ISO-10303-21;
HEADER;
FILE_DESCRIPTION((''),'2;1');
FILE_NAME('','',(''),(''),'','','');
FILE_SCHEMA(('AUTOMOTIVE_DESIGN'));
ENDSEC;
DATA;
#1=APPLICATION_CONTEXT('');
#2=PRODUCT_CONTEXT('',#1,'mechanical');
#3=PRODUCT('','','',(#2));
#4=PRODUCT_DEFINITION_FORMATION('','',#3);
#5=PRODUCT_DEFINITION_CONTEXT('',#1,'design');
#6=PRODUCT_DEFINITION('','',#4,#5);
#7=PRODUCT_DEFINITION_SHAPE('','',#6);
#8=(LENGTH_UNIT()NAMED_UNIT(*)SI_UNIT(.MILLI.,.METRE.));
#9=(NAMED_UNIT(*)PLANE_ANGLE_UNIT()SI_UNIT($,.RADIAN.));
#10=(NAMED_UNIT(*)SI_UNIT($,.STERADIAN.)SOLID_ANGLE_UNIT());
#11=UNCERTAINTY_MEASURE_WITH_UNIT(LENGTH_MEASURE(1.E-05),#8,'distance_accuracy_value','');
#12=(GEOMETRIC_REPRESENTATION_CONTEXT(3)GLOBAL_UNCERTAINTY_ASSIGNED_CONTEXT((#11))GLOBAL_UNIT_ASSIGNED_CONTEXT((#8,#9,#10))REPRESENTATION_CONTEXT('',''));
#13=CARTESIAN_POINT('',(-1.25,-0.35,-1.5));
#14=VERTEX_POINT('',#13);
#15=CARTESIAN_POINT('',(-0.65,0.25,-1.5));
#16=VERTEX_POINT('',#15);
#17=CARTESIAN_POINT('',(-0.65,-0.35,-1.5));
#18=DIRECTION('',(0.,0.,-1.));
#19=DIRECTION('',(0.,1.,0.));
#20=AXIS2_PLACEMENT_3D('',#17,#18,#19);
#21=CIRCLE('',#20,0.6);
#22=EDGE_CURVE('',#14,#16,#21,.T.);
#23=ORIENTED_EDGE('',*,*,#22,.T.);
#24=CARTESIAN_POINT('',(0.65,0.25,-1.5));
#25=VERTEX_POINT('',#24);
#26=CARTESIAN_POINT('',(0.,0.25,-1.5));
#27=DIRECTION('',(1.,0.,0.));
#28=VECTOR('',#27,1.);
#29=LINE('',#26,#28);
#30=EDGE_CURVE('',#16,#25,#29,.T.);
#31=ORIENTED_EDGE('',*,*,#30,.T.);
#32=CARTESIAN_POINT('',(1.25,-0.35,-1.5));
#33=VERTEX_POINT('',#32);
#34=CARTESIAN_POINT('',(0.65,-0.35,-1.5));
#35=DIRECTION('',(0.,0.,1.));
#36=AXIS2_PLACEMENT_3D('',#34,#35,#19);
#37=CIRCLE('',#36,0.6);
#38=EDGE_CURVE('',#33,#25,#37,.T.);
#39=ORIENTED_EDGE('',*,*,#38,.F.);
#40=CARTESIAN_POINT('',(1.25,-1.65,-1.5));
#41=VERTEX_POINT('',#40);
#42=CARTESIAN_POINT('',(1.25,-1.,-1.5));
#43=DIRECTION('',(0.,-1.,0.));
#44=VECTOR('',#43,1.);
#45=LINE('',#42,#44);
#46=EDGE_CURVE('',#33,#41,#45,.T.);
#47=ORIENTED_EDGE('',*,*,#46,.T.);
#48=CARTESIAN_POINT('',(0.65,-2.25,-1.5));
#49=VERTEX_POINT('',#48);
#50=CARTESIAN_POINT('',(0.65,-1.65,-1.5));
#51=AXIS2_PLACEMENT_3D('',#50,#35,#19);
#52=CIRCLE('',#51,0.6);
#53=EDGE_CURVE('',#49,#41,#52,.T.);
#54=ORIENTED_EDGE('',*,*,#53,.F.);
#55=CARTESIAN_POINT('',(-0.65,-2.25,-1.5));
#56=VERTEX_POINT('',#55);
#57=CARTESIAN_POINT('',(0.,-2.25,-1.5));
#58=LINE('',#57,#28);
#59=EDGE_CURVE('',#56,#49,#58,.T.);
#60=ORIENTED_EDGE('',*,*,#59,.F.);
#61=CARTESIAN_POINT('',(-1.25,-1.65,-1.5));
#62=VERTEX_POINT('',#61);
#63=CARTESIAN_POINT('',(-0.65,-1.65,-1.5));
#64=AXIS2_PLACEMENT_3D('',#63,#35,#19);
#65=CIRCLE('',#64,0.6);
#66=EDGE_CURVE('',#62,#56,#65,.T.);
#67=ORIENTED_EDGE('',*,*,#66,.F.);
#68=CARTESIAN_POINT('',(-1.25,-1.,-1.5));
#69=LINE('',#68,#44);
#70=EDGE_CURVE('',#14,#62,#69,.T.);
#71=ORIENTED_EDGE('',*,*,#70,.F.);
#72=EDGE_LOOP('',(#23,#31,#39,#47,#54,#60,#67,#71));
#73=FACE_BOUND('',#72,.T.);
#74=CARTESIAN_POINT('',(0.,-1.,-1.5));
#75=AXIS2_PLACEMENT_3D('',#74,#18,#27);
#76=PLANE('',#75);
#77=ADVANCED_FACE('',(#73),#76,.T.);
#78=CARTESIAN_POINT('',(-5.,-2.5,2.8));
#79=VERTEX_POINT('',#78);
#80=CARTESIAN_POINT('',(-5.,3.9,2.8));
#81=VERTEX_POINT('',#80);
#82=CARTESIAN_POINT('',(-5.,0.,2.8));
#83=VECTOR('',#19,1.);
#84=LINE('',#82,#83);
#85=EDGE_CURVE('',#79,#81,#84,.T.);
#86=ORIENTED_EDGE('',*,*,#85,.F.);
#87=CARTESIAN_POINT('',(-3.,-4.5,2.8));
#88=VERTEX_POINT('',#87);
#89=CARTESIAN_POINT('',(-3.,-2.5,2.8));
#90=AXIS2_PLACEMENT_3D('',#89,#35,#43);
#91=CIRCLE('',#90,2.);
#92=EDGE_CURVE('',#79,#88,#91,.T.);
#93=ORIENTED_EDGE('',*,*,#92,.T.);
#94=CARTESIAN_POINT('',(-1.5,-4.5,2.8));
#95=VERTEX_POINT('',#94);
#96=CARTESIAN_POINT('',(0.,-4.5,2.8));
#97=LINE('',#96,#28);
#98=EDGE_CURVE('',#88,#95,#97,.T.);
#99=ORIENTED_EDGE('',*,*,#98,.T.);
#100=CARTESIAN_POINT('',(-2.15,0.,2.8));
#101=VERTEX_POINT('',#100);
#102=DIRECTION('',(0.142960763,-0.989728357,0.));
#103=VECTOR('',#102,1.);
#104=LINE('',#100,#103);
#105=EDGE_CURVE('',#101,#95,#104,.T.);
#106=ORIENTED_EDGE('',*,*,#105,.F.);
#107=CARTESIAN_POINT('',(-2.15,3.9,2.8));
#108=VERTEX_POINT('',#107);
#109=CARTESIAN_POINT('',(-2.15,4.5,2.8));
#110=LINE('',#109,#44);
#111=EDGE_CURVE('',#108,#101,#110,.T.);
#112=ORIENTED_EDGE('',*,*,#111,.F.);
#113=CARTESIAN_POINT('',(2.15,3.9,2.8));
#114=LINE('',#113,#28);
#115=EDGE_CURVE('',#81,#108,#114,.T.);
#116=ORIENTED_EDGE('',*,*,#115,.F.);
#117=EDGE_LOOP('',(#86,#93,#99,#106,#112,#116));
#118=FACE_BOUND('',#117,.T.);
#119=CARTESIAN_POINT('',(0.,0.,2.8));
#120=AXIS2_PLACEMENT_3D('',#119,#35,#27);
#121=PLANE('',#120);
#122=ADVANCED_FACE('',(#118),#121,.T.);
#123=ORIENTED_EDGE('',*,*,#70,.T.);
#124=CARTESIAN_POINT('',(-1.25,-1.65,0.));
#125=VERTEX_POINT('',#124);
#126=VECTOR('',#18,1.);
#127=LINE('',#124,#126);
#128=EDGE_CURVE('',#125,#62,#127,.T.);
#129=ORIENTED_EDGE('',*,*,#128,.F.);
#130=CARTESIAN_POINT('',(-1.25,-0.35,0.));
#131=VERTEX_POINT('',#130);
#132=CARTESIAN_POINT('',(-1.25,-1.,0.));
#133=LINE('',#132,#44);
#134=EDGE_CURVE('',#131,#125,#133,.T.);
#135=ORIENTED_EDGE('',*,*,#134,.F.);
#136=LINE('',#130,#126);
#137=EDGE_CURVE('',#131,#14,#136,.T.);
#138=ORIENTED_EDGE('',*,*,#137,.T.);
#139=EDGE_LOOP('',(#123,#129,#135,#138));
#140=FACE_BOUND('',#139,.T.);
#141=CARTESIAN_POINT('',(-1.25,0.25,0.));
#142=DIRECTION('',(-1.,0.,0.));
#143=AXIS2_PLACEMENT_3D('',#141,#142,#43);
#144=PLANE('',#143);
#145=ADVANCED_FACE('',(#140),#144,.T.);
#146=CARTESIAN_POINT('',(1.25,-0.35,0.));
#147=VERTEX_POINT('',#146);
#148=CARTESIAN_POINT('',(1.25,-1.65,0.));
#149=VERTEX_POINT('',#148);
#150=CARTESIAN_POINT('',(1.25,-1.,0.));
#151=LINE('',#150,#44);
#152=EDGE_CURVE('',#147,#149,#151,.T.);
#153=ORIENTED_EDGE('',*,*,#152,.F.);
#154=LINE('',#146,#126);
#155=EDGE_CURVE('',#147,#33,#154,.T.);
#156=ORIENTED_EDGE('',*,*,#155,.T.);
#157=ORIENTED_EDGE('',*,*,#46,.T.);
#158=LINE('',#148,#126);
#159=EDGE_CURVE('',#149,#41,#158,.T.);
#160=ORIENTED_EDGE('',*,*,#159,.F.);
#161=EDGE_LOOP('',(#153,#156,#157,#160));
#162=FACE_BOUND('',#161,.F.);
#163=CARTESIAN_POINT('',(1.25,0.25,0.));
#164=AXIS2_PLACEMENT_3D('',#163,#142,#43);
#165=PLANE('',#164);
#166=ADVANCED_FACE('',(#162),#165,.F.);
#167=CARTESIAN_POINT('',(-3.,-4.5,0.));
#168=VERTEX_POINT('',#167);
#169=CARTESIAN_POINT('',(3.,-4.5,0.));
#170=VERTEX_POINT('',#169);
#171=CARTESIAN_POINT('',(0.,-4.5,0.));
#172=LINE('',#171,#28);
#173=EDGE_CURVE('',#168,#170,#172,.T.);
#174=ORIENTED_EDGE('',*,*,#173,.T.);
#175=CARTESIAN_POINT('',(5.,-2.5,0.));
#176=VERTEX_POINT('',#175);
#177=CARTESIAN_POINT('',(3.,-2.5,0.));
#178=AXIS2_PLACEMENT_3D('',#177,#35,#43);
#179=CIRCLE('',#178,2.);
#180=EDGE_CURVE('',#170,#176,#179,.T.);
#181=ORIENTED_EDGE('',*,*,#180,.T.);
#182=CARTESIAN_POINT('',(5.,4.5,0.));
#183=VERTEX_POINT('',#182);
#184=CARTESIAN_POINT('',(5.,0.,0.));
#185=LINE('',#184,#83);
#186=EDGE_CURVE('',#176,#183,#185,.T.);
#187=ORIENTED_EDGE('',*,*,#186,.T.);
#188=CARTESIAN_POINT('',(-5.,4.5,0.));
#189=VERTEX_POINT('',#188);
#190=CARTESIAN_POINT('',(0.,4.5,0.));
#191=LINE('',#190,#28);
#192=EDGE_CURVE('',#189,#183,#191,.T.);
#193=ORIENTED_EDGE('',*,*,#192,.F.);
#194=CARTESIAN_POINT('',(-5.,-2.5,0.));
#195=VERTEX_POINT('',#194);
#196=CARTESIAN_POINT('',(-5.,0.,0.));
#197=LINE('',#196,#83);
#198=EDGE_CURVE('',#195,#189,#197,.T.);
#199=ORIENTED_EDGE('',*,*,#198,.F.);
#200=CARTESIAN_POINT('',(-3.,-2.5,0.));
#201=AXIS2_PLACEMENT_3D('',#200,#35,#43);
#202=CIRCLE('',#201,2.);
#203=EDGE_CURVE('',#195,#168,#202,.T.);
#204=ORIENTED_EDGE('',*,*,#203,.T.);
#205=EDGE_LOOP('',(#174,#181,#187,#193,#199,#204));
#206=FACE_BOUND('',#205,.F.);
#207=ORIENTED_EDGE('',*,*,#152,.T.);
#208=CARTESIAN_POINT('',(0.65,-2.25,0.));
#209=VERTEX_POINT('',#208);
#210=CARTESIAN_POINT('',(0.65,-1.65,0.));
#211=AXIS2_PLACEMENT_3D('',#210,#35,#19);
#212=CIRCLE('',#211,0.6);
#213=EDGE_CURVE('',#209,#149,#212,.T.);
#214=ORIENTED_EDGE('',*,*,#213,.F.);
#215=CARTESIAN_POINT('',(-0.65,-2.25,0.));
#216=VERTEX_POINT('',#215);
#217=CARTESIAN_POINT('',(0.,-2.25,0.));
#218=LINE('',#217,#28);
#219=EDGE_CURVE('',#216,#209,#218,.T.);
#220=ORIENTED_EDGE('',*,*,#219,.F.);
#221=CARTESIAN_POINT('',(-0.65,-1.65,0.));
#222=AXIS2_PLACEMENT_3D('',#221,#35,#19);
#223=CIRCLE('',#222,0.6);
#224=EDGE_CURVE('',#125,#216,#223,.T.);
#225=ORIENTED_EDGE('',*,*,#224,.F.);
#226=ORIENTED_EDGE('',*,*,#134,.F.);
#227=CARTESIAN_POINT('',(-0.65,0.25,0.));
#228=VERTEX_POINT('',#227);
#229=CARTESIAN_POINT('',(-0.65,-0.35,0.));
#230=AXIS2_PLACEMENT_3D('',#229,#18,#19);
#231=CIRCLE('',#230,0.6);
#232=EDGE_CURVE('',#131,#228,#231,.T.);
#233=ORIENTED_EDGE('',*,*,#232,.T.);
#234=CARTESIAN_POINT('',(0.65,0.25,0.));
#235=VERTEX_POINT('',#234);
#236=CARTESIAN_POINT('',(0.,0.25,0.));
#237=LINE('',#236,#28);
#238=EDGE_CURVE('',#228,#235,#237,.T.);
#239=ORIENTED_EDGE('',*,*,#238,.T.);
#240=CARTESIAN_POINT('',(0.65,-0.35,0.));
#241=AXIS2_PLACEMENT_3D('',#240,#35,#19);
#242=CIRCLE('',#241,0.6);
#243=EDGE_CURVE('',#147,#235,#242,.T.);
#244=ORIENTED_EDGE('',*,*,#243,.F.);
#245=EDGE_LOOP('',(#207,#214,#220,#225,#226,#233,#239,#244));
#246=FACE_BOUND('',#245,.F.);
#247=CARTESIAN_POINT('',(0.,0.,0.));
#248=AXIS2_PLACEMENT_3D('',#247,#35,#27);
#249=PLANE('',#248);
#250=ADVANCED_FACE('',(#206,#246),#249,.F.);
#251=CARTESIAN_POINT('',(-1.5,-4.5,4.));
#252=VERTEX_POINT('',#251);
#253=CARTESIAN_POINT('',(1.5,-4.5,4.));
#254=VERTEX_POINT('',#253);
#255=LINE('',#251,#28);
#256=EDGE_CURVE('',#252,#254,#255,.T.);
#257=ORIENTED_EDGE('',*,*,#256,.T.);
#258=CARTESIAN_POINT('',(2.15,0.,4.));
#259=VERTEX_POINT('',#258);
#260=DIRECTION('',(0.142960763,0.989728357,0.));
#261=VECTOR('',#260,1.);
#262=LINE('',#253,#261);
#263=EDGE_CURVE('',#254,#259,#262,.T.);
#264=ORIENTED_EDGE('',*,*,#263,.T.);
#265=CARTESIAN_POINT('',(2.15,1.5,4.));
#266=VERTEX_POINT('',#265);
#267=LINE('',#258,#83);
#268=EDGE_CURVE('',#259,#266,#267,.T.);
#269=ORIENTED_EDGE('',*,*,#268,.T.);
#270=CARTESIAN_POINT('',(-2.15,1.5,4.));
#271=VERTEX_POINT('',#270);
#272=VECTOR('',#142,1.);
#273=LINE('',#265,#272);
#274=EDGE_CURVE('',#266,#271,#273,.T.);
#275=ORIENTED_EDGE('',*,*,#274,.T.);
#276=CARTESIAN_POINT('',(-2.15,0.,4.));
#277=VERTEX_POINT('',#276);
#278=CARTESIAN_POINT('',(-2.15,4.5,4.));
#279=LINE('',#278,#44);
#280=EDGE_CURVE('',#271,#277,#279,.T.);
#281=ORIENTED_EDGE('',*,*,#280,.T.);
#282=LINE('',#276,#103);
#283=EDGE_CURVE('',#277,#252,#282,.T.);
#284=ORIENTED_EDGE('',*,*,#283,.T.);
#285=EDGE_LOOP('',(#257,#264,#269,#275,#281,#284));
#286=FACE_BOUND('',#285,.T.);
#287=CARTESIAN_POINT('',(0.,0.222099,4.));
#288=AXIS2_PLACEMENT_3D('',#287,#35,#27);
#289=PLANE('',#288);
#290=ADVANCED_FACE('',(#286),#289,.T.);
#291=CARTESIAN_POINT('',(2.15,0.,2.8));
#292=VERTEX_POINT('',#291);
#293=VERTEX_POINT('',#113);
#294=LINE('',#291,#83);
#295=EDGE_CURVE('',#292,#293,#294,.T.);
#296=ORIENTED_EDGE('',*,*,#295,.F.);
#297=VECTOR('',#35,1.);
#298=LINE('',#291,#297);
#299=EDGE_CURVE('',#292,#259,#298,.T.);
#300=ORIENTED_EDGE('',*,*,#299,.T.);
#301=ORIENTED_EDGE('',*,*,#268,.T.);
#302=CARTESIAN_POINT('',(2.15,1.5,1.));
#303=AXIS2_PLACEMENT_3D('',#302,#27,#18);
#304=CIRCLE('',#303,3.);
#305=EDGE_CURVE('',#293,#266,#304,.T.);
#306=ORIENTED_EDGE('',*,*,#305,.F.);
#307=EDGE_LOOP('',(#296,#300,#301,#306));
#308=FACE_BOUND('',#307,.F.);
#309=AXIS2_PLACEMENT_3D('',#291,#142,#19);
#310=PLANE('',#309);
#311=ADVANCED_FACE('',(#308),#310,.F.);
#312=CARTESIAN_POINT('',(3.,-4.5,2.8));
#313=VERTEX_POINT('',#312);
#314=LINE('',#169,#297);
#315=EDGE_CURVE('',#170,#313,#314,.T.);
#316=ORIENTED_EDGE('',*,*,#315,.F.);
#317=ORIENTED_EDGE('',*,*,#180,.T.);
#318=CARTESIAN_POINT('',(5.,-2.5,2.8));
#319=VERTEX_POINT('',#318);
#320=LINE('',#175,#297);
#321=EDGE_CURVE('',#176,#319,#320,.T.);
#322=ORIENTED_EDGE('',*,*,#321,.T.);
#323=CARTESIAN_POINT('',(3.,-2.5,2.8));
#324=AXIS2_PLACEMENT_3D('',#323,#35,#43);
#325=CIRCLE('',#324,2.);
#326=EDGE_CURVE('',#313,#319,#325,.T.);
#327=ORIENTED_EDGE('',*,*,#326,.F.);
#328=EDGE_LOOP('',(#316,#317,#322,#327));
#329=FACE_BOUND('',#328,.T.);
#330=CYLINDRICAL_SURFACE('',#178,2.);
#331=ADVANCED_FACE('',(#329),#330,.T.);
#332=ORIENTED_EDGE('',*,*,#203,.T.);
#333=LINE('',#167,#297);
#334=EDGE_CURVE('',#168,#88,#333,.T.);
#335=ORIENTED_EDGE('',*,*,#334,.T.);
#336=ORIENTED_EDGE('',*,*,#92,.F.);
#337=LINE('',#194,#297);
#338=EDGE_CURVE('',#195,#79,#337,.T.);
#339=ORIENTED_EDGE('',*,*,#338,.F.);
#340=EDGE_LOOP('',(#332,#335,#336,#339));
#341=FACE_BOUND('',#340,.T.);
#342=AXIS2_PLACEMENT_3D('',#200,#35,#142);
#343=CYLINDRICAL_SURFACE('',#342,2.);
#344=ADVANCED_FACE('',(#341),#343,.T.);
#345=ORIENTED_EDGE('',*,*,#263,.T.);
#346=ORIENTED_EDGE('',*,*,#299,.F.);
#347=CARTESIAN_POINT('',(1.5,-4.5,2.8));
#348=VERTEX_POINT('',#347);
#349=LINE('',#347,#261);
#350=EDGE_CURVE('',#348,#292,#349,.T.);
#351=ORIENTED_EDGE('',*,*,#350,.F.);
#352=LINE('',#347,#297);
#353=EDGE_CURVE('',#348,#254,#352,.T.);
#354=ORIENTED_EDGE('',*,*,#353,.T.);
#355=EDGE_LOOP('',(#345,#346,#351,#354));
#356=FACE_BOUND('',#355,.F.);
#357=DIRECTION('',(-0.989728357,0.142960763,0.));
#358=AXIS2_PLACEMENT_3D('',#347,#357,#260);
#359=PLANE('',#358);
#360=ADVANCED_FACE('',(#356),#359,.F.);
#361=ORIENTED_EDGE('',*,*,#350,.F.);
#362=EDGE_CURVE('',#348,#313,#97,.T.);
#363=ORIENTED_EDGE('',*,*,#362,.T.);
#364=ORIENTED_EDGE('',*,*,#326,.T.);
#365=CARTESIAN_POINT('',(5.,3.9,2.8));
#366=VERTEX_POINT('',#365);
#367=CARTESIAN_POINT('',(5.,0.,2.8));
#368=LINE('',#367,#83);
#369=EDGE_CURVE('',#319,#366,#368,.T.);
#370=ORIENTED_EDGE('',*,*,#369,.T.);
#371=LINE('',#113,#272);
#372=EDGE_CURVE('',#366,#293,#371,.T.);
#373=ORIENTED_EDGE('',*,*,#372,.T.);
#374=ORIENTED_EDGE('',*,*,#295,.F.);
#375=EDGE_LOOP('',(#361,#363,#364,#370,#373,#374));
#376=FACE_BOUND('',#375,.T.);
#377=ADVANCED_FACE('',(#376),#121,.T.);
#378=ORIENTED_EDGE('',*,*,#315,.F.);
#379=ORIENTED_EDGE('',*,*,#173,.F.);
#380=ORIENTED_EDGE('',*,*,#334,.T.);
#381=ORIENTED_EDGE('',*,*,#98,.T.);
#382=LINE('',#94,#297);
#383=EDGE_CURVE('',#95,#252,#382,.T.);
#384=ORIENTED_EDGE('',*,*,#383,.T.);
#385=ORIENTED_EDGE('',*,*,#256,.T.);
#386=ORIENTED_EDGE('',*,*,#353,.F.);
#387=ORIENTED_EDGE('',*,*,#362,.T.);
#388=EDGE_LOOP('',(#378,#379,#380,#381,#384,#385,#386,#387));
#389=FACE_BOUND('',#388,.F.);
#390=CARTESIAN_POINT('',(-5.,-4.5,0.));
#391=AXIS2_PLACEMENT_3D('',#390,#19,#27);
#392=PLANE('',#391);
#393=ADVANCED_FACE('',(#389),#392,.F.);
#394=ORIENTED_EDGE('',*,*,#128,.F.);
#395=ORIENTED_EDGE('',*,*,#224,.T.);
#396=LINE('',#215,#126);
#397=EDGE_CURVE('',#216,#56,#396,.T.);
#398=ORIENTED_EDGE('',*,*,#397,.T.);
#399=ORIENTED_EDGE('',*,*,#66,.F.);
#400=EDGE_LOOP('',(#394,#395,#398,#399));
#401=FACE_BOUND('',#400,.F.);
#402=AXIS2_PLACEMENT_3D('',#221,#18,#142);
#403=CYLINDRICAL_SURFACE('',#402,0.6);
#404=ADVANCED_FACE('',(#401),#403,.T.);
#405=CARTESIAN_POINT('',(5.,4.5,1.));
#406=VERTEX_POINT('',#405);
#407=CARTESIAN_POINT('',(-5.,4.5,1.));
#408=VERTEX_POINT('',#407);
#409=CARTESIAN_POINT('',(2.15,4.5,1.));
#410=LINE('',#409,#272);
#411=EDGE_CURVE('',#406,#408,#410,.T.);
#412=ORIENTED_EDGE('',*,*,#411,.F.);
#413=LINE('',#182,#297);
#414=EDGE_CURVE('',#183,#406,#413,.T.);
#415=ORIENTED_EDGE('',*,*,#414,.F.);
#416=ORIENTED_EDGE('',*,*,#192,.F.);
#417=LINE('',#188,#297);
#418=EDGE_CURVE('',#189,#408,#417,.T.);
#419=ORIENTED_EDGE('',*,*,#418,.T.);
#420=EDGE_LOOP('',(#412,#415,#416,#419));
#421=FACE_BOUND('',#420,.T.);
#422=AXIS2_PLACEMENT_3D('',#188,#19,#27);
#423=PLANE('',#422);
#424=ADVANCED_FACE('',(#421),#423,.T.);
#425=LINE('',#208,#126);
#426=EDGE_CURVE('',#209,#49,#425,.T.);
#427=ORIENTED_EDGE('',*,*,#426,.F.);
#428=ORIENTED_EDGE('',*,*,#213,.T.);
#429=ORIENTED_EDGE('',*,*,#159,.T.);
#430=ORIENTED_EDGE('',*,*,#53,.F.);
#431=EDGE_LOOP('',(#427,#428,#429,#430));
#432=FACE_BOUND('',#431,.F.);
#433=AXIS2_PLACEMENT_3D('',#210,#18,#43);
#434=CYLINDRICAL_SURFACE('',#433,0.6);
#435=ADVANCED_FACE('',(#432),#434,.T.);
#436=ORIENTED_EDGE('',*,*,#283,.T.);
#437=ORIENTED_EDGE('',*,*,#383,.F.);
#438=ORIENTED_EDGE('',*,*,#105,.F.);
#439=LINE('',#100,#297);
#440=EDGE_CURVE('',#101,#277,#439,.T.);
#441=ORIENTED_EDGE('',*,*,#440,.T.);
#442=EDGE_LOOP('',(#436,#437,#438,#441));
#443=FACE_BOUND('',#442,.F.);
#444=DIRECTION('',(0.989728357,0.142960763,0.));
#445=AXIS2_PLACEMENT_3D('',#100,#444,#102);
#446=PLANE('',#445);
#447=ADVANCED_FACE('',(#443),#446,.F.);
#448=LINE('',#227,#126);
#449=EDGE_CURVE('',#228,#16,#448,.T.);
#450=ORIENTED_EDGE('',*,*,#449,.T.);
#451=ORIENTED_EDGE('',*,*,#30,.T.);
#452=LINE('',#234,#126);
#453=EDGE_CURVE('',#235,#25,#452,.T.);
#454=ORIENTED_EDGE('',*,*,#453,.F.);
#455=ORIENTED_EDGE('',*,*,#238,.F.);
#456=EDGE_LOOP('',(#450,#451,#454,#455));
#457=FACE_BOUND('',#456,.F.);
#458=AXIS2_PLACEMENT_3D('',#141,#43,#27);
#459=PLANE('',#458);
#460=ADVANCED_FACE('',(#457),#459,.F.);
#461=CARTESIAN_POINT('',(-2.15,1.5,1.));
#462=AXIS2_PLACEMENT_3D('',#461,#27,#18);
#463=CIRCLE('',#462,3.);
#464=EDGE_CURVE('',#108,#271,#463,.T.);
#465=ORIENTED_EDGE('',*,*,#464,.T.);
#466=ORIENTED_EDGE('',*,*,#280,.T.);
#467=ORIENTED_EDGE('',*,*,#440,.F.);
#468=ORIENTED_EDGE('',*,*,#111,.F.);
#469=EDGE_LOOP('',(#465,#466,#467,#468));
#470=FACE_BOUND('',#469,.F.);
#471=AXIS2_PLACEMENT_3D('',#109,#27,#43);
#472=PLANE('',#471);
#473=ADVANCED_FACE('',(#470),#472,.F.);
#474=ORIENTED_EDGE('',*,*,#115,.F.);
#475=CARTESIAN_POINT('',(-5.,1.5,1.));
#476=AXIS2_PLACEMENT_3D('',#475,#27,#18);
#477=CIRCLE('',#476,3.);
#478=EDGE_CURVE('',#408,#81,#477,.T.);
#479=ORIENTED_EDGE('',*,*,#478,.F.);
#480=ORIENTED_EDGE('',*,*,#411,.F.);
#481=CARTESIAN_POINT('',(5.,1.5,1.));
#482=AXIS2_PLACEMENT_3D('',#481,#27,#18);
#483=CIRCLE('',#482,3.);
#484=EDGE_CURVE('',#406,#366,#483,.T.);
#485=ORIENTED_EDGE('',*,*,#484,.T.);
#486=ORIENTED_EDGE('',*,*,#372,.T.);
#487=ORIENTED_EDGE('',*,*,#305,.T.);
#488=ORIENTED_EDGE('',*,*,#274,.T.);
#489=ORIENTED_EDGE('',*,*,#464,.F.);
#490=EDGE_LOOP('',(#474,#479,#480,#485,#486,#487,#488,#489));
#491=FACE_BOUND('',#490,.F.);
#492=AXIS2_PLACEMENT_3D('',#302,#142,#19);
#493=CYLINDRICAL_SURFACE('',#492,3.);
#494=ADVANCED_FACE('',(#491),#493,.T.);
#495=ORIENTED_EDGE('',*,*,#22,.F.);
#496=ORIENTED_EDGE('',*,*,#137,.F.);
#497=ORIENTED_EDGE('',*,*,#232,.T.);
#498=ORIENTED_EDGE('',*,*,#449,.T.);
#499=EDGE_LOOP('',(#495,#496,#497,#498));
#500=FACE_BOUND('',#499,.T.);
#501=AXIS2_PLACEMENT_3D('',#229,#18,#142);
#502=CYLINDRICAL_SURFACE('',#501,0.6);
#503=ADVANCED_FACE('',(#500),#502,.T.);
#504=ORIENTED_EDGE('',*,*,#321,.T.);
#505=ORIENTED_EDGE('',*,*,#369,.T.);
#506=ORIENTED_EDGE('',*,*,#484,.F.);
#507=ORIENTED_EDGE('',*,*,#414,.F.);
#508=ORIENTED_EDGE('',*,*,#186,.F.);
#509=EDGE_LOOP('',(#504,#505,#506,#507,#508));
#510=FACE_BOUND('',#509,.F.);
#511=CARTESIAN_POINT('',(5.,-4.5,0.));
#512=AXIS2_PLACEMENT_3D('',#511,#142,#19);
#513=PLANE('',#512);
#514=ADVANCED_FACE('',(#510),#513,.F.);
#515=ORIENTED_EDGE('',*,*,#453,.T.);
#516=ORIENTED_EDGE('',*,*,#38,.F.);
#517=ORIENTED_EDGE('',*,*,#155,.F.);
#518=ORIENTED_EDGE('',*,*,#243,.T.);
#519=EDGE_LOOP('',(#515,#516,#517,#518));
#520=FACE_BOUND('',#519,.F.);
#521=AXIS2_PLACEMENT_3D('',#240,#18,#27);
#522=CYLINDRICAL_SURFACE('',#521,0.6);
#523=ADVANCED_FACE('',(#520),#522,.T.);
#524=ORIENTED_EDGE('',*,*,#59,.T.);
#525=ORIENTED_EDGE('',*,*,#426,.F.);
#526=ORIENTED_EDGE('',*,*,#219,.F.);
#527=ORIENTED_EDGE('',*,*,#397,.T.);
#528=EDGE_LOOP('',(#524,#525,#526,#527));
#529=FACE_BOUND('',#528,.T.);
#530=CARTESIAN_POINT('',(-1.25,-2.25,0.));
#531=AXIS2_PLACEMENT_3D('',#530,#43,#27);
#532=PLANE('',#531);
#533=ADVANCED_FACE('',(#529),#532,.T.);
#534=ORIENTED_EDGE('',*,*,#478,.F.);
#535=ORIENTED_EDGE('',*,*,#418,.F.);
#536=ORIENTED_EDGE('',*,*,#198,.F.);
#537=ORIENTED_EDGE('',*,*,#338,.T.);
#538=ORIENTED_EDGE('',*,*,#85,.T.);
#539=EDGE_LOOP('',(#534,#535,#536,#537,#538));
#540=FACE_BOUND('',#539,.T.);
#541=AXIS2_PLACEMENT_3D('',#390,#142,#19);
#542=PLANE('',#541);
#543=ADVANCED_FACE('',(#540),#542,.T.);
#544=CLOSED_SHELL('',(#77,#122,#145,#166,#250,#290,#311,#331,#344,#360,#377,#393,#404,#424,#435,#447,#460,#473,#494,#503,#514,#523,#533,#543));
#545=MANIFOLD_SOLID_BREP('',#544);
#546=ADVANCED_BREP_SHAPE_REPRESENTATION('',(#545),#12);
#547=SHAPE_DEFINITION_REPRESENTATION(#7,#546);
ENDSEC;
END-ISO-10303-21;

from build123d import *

# Parameters (mm, degrees)
F0_W     = 10
F0_H     = 9
F1_DEPTH = 2.8
F3_DEPTH = 1.2
F4_W     = 2.5
F4_H     = 2.5
F5_DEPTH = 1.5
F6_R     = 2
F7_R     = 3
F8_R     = 0.6


with BuildPart() as f1:
    # F0 (on Top) → F1 (new body)
    with BuildSketch(Plane.XY):
        Rectangle(F0_W, F0_H)
    extrude(amount=F1_DEPTH)

    # F2 (on face) → F3 (join)
    with BuildSketch(Plane.XY.offset(2.8)):
        Polygon((2.15, 4.5), (-2.15, 4.5), (-2.15, 0), (-1.5, -4.5), (1.5, -4.5), (2.15, 0), align=None)
    extrude(amount=F3_DEPTH)

    # F4 (on face) → F5 (join)
    with BuildSketch(Plane(origin=(0, 0, 0), x_dir=(1, 0, 0), z_dir=(0, 0, -1))):
        with Locations((0, 1)):
            Rectangle(F4_W, F4_H)
    extrude(amount=F5_DEPTH)

    # F6
    f6_edges = [f1.edges().sort_by_distance(p)[0] for p in [
        (5, -4.5, 1.4),
        (-5, -4.5, 1.4),
    ]]
    fillet(f6_edges, radius=F6_R)

    # F7
    f7_edges = [f1.edges().sort_by_distance(p)[0] for p in [
        (0, 4.5, 4),
    ]]
    fillet(f7_edges, radius=F7_R)

    # F8
    f8_edges = [f1.edges().sort_by_distance(p)[0] for p in [
        (1.25, -2.25, -0.75),
        (-1.25, -2.25, -0.75),
        (1.25, 0.25, -0.75),
        (-1.25, 0.25, -0.75),
    ]]
    fillet(f8_edges, radius=F8_R)


solid = f1.part
